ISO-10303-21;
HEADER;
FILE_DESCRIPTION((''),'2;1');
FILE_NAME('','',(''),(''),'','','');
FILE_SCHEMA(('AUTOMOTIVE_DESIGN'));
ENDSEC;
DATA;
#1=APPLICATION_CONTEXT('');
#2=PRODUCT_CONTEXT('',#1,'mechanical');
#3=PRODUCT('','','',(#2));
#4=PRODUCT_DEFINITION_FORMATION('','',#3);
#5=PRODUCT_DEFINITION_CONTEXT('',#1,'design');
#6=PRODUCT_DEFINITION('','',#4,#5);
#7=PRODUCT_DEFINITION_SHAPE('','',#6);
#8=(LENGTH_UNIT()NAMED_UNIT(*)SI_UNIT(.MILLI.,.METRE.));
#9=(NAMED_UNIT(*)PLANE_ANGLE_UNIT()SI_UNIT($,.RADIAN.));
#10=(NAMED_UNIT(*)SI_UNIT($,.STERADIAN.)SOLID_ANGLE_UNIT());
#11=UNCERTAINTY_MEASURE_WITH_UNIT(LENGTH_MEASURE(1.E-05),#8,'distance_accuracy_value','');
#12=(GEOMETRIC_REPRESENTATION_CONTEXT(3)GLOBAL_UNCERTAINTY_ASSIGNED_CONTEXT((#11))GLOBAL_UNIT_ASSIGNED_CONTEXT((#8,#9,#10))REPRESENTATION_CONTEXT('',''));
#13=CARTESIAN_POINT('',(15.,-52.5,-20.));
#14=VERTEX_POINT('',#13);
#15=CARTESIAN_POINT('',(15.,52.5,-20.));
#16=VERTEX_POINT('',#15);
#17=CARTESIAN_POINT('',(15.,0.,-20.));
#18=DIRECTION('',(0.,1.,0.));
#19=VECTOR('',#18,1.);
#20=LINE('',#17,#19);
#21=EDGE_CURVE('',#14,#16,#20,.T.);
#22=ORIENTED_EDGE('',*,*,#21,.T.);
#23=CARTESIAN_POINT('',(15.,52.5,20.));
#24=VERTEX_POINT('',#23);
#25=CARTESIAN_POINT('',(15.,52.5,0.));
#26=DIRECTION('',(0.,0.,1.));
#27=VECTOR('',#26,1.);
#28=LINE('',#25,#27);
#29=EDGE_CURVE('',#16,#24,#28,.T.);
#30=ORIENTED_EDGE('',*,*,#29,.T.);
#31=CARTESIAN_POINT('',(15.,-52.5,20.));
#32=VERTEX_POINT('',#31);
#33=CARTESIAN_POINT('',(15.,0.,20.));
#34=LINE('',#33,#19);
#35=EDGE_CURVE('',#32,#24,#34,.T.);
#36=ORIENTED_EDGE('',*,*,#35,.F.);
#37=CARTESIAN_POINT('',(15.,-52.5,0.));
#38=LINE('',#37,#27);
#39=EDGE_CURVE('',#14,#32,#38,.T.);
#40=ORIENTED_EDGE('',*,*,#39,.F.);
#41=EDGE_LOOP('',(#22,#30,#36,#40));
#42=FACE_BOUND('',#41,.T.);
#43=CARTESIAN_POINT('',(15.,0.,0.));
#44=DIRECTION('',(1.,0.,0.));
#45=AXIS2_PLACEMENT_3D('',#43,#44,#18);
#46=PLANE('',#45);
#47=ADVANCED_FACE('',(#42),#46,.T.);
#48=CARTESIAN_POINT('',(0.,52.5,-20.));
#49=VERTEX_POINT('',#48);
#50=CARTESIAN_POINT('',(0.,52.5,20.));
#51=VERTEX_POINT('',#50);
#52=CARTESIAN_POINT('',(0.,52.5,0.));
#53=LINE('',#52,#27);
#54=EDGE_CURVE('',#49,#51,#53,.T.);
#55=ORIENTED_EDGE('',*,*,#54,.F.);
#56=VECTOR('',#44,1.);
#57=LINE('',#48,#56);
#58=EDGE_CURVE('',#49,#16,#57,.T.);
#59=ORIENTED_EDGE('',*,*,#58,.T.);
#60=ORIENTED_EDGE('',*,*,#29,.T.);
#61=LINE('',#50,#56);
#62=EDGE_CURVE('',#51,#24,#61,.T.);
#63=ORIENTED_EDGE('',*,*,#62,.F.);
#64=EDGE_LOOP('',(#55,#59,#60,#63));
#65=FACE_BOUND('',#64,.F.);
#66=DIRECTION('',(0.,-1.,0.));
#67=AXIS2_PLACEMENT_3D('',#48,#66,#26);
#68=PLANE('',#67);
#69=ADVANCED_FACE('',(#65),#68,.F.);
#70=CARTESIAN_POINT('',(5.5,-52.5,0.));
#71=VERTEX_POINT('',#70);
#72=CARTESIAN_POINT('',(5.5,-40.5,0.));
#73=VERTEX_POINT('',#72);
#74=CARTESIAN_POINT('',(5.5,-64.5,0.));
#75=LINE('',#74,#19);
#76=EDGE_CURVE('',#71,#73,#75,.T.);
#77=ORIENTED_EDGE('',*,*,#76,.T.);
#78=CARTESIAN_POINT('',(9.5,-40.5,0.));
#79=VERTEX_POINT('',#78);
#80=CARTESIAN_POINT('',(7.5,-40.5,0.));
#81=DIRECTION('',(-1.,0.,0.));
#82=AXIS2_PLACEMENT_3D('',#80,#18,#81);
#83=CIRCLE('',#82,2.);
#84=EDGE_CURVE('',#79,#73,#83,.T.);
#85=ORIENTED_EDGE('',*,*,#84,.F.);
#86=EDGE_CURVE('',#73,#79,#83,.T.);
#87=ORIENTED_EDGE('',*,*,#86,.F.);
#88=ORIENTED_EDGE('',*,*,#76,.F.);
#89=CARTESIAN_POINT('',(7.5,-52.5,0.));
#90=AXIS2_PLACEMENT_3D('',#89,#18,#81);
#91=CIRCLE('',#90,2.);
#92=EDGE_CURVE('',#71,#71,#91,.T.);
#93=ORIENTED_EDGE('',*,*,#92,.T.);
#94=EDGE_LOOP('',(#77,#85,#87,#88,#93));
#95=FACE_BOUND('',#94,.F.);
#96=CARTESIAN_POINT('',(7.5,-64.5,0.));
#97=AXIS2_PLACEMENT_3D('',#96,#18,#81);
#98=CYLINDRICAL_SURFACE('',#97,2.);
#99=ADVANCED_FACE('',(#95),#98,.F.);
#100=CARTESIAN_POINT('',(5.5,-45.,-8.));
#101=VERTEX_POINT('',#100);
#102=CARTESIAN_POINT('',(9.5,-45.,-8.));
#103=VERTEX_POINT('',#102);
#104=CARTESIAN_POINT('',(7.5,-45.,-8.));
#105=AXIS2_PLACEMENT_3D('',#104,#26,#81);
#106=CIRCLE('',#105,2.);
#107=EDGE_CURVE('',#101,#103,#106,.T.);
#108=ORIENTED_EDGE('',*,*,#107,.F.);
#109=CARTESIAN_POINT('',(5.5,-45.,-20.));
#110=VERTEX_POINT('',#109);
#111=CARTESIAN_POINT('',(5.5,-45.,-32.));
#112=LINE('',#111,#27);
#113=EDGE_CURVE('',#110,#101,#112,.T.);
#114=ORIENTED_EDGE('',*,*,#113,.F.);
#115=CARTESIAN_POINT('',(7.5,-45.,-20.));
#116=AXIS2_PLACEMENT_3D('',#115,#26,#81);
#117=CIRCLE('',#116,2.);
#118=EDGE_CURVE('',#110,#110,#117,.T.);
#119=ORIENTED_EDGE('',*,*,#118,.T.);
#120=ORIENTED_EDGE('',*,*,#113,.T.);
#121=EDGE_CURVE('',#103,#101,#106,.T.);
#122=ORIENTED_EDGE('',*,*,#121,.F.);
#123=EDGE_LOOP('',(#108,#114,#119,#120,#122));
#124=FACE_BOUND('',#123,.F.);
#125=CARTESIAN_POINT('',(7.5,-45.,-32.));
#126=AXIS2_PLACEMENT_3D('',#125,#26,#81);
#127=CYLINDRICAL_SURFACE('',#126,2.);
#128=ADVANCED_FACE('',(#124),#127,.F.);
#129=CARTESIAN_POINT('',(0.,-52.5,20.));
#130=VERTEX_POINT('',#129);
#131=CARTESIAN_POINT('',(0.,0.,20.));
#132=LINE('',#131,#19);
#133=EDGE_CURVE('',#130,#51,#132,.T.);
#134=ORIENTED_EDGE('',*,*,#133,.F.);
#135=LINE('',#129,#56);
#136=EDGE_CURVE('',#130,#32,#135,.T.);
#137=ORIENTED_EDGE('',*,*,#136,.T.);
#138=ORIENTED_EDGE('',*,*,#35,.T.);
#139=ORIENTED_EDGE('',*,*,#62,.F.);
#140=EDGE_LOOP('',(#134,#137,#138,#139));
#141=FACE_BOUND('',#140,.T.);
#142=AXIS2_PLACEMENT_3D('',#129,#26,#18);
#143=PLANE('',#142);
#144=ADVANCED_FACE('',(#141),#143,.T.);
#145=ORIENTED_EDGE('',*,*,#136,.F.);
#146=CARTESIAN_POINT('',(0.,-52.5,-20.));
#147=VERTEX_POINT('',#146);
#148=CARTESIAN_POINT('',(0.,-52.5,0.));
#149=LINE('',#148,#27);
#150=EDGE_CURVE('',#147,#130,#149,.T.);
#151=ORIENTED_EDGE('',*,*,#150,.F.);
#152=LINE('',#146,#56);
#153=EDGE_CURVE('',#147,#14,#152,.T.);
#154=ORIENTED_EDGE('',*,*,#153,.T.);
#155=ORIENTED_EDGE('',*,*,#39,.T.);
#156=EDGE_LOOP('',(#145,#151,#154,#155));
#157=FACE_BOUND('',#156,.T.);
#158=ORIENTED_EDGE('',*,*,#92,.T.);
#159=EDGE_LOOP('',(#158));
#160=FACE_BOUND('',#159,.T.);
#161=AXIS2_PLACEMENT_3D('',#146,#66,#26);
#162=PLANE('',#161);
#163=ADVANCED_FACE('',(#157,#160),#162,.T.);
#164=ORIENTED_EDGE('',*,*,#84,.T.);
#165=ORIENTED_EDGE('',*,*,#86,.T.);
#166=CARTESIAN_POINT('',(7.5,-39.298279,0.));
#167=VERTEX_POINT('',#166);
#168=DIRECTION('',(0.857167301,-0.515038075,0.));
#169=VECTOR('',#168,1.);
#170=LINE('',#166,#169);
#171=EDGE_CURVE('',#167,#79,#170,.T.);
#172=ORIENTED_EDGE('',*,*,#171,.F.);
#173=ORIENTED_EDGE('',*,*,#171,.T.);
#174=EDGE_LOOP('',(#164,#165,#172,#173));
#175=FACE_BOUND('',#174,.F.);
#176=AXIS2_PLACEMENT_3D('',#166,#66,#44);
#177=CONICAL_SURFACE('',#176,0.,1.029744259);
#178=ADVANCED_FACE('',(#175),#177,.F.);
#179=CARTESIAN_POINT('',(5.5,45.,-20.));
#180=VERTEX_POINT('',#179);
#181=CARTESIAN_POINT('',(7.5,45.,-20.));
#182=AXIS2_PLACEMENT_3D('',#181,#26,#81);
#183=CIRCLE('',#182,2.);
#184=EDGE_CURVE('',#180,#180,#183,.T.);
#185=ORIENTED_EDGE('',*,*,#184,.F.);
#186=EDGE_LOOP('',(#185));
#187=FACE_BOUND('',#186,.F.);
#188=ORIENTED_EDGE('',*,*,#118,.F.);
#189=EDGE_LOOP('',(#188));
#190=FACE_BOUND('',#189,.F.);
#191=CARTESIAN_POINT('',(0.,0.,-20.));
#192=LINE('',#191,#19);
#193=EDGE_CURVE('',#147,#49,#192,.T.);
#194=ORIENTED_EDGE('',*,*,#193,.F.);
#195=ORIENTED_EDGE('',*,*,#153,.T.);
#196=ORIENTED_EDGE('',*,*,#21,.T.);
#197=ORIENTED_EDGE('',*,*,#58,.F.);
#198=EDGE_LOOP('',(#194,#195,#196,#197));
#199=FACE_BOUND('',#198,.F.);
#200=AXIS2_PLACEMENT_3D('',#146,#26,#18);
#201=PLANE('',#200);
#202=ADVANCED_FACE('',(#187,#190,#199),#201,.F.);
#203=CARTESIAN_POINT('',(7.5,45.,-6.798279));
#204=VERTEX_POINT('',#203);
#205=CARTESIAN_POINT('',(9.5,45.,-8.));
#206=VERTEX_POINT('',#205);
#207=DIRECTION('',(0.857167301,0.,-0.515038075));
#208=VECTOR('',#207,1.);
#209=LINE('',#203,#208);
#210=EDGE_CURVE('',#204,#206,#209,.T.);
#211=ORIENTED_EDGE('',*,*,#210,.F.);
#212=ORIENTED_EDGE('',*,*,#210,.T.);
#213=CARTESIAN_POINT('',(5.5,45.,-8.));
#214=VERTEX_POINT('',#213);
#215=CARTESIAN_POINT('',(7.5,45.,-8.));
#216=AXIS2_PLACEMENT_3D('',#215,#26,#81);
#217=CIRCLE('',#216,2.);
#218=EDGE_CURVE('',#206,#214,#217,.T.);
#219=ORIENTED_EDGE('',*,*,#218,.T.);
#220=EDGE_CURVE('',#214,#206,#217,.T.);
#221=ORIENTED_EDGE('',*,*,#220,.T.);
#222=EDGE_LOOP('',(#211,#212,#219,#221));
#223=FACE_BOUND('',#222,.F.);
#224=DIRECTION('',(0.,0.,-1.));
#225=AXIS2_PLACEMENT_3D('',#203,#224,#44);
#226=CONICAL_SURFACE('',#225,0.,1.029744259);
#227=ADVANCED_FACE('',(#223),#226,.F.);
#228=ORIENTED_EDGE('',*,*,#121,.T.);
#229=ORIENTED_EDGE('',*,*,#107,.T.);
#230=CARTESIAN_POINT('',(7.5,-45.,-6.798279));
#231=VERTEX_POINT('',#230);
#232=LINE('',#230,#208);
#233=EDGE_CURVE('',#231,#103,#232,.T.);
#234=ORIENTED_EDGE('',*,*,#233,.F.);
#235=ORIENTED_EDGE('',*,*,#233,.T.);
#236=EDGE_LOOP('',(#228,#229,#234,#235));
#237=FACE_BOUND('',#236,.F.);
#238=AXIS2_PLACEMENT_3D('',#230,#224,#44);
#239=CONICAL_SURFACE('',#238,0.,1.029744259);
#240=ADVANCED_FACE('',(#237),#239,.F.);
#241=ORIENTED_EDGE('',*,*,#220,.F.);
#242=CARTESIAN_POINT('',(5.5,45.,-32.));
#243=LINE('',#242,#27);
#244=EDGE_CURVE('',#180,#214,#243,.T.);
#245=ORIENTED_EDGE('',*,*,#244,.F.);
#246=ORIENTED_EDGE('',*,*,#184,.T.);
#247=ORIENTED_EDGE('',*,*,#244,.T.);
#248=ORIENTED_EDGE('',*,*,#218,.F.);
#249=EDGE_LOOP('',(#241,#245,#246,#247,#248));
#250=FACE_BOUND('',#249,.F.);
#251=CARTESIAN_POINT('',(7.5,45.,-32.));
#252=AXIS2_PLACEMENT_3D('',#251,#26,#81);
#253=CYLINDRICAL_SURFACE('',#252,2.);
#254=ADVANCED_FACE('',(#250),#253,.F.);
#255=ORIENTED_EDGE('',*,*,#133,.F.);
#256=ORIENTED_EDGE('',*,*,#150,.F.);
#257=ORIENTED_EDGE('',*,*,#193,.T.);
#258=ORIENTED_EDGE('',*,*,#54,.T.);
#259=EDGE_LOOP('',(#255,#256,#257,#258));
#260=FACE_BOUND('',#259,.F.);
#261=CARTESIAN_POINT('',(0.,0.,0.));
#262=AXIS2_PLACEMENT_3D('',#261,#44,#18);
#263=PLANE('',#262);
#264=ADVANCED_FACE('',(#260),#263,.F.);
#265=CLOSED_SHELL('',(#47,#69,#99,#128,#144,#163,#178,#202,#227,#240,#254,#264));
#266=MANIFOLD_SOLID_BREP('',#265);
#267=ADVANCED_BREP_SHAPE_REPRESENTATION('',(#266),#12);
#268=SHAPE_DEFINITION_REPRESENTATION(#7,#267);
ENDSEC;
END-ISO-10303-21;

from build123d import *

# Parameters (mm, degrees)
F0_W     = 105
F0_H     = 40
F1_DEPTH = 15
F3_D     = 4
F3_DEPTH = 12
F3_TIP   = 1.2017212381
F5_D     = 4
F5_DEPTH = 12
F5_TIP   = 1.2017212381


with BuildPart() as f1:
    # F0 (on Right) → F1 (new body)
    with BuildSketch(Plane.YZ):
        Rectangle(F0_W, F0_H)
    extrude(amount=F1_DEPTH)

    # F3
    with Locations(Plane.XZ.offset(52.5)):
        with Locations((7.5, 0)):
            Hole(F3_D / 2, depth=F3_DEPTH)
            with Locations((0, 0, -(F3_DEPTH + F3_TIP / 2))):  # 118° drill point
                Cone(0, F3_D / 2, F3_TIP, mode=Mode.SUBTRACT)

    # F5
    with Locations(Plane(origin=(0, 0, -20), x_dir=(1, 0, 0), z_dir=(0, 0, -1))):
        with Locations((7.5, 45), (7.5, -45)):
            Hole(F5_D / 2, depth=F5_DEPTH)
            with Locations((0, 0, -(F5_DEPTH + F5_TIP / 2))):  # 118° drill point
                Cone(0, F5_D / 2, F5_TIP, mode=Mode.SUBTRACT)


solid = f1.part
